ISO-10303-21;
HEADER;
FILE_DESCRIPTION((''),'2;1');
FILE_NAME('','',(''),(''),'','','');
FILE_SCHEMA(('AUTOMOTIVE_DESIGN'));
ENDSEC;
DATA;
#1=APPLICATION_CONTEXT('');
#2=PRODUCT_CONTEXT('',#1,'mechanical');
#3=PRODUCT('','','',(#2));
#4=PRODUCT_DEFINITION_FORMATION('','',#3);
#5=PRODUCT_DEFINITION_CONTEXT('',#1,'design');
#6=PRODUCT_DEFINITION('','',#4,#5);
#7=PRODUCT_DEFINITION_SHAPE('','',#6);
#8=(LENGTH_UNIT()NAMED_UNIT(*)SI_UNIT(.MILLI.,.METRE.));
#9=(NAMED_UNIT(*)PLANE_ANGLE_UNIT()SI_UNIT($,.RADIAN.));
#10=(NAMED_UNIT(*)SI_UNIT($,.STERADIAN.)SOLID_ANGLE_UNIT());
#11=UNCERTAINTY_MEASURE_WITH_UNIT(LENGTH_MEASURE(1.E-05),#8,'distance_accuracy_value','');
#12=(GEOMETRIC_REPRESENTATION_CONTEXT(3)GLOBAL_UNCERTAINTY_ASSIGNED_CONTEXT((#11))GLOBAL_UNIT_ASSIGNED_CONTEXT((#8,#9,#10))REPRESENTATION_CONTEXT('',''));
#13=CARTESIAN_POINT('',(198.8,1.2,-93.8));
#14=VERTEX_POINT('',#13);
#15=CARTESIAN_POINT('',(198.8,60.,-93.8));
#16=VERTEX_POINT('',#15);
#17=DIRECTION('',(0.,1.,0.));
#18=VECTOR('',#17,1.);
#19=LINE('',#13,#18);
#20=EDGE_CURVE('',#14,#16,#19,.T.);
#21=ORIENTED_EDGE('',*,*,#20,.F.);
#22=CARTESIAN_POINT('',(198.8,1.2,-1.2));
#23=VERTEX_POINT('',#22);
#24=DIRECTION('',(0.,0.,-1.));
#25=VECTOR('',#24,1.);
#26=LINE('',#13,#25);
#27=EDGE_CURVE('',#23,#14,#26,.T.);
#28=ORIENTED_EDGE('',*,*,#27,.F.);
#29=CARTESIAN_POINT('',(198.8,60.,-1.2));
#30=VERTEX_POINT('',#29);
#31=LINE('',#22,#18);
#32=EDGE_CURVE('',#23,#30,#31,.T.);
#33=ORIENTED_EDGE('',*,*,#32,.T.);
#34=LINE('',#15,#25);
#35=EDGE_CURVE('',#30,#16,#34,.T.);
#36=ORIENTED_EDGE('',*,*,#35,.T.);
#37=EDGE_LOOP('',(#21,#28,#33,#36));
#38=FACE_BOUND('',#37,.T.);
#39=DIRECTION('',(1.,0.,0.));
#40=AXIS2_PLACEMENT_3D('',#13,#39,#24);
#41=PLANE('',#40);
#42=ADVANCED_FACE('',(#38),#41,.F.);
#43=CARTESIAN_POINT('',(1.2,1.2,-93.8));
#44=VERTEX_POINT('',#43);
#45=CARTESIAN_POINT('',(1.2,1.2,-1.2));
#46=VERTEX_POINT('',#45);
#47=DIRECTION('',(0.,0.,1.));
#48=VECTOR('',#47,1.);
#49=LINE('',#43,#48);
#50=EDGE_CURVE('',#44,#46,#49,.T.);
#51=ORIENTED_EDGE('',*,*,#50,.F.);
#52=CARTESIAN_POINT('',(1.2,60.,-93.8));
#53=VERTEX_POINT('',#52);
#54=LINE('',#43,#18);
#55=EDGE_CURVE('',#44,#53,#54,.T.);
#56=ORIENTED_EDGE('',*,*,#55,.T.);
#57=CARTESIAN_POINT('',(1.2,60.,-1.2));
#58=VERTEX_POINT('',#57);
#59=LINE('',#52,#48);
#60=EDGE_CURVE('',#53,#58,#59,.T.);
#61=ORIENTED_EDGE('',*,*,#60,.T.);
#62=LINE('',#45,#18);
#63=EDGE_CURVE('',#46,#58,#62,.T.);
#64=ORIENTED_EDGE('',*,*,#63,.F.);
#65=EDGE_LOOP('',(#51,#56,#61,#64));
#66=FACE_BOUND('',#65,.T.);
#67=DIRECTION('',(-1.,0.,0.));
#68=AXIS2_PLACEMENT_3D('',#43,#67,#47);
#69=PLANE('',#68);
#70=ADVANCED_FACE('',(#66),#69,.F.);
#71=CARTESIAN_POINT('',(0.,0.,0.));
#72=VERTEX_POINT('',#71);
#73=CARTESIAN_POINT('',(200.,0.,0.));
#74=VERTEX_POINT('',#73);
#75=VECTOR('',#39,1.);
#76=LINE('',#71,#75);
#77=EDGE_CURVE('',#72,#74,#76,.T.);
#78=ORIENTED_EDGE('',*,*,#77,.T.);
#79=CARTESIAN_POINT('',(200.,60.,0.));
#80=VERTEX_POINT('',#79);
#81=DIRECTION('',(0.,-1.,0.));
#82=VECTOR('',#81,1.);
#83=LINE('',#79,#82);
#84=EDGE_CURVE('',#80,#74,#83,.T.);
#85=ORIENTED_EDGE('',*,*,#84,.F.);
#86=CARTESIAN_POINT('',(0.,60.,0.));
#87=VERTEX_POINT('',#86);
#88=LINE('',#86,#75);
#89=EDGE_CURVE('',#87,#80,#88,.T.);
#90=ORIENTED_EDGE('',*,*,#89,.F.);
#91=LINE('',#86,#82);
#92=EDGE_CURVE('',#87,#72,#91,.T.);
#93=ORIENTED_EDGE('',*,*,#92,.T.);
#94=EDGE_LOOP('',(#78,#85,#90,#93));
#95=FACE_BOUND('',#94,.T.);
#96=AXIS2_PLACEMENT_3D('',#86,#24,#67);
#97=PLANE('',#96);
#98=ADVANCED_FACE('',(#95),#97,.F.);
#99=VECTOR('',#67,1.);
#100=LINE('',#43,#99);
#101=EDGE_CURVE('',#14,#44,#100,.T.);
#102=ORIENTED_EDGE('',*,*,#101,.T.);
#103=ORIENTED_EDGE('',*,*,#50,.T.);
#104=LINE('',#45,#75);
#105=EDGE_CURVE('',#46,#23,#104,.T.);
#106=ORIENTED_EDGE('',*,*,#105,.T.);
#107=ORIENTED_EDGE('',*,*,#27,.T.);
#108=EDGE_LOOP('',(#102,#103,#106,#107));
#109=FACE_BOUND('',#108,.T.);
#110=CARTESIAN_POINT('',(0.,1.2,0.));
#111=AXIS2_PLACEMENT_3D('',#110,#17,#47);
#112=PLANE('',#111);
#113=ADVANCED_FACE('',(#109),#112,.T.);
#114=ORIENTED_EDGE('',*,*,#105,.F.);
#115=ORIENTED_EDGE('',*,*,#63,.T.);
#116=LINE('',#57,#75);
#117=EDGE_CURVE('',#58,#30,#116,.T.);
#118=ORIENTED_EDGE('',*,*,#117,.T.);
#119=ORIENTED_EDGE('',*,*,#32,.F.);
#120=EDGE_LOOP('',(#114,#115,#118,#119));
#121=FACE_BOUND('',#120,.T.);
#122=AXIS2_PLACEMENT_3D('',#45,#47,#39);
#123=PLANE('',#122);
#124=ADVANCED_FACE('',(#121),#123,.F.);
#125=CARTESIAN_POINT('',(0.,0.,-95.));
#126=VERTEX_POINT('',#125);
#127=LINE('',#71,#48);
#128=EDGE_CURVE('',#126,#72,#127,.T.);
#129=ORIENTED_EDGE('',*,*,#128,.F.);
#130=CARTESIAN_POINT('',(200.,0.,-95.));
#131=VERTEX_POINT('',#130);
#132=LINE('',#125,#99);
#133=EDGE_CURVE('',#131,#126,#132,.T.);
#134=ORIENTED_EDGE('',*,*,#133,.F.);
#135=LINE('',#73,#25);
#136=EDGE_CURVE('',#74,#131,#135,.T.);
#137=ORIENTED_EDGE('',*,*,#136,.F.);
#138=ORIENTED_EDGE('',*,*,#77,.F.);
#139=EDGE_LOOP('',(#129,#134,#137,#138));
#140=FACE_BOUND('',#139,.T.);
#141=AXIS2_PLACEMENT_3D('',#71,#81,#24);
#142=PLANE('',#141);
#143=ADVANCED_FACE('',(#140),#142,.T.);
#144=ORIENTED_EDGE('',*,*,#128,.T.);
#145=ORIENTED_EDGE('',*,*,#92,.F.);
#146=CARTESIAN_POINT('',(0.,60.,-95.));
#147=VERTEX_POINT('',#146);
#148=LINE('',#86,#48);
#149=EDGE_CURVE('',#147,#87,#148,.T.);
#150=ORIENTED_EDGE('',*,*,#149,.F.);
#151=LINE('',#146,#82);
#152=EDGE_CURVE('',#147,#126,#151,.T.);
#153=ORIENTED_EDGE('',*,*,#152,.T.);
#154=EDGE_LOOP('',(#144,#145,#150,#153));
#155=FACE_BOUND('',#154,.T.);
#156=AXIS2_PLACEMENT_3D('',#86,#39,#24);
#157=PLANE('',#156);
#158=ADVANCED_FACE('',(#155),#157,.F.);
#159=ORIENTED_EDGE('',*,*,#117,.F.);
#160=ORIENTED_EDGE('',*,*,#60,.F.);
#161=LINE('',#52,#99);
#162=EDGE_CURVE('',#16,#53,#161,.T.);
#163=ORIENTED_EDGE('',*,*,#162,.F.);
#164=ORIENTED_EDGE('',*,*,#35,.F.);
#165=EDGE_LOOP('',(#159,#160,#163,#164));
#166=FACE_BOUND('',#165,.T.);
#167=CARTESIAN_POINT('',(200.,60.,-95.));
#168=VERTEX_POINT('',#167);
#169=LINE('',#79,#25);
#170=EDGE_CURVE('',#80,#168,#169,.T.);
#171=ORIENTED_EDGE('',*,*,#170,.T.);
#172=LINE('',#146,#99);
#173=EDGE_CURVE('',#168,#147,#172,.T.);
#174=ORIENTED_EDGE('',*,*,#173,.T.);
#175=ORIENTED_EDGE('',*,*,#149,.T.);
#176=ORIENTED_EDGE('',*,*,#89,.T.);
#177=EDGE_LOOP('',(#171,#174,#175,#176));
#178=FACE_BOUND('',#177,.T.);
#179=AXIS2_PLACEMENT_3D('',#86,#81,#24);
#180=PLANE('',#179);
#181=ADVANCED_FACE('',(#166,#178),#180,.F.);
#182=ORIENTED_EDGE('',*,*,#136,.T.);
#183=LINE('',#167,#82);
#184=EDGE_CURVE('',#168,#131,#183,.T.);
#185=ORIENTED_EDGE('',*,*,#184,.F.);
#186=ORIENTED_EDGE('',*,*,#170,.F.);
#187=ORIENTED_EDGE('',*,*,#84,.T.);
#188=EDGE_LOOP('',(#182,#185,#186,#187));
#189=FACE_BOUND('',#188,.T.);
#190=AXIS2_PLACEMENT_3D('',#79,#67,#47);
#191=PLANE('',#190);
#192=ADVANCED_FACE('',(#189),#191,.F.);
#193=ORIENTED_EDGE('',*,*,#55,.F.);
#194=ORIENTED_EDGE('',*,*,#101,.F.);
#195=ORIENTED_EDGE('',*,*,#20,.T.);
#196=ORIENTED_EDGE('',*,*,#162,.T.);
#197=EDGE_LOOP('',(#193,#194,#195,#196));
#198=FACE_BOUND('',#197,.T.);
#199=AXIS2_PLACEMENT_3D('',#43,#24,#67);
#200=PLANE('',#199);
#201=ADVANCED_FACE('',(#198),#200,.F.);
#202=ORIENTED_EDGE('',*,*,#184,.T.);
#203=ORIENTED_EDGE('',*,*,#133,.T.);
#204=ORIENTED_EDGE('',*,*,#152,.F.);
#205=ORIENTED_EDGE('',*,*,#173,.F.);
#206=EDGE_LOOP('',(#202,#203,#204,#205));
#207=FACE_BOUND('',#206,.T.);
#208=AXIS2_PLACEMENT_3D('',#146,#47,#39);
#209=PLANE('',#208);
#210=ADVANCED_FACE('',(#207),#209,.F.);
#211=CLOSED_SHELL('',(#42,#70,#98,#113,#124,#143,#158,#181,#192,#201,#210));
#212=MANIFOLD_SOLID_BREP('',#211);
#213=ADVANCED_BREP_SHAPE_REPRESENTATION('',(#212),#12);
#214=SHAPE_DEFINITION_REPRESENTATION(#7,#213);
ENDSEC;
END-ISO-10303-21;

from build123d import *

# Parameters (mm, degrees)
SKETCH1_W           = 200
SKETCH1_H           = 95
BOSS_EXTRUDE1_DEPTH = 60
SKETCH2_W           = 197.6
SKETCH2_H           = 92.6
CUT_EXTRUDE1_DEPTH  = 58.8


with BuildPart() as part:
    # Sketch1 → Boss-Extrude1 (new body)
    with BuildSketch(Plane(origin=(0, 0, 0), x_dir=(1, 0, 0), z_dir=(0, 1, 0))):
        with Locations((100, 47.5)):
            Rectangle(SKETCH1_W, SKETCH1_H)
    extrude(amount=BOSS_EXTRUDE1_DEPTH)

    # Sketch2 → Cut-Extrude1 (cut)
    with BuildSketch(Plane(origin=(0, 60, 0), x_dir=(1, 0, 0), z_dir=(0, 1, 0))):
        with Locations((100, 47.5)):
            Rectangle(SKETCH2_W, SKETCH2_H)
    extrude(amount=-CUT_EXTRUDE1_DEPTH, mode=Mode.SUBTRACT)


solid = part.part
